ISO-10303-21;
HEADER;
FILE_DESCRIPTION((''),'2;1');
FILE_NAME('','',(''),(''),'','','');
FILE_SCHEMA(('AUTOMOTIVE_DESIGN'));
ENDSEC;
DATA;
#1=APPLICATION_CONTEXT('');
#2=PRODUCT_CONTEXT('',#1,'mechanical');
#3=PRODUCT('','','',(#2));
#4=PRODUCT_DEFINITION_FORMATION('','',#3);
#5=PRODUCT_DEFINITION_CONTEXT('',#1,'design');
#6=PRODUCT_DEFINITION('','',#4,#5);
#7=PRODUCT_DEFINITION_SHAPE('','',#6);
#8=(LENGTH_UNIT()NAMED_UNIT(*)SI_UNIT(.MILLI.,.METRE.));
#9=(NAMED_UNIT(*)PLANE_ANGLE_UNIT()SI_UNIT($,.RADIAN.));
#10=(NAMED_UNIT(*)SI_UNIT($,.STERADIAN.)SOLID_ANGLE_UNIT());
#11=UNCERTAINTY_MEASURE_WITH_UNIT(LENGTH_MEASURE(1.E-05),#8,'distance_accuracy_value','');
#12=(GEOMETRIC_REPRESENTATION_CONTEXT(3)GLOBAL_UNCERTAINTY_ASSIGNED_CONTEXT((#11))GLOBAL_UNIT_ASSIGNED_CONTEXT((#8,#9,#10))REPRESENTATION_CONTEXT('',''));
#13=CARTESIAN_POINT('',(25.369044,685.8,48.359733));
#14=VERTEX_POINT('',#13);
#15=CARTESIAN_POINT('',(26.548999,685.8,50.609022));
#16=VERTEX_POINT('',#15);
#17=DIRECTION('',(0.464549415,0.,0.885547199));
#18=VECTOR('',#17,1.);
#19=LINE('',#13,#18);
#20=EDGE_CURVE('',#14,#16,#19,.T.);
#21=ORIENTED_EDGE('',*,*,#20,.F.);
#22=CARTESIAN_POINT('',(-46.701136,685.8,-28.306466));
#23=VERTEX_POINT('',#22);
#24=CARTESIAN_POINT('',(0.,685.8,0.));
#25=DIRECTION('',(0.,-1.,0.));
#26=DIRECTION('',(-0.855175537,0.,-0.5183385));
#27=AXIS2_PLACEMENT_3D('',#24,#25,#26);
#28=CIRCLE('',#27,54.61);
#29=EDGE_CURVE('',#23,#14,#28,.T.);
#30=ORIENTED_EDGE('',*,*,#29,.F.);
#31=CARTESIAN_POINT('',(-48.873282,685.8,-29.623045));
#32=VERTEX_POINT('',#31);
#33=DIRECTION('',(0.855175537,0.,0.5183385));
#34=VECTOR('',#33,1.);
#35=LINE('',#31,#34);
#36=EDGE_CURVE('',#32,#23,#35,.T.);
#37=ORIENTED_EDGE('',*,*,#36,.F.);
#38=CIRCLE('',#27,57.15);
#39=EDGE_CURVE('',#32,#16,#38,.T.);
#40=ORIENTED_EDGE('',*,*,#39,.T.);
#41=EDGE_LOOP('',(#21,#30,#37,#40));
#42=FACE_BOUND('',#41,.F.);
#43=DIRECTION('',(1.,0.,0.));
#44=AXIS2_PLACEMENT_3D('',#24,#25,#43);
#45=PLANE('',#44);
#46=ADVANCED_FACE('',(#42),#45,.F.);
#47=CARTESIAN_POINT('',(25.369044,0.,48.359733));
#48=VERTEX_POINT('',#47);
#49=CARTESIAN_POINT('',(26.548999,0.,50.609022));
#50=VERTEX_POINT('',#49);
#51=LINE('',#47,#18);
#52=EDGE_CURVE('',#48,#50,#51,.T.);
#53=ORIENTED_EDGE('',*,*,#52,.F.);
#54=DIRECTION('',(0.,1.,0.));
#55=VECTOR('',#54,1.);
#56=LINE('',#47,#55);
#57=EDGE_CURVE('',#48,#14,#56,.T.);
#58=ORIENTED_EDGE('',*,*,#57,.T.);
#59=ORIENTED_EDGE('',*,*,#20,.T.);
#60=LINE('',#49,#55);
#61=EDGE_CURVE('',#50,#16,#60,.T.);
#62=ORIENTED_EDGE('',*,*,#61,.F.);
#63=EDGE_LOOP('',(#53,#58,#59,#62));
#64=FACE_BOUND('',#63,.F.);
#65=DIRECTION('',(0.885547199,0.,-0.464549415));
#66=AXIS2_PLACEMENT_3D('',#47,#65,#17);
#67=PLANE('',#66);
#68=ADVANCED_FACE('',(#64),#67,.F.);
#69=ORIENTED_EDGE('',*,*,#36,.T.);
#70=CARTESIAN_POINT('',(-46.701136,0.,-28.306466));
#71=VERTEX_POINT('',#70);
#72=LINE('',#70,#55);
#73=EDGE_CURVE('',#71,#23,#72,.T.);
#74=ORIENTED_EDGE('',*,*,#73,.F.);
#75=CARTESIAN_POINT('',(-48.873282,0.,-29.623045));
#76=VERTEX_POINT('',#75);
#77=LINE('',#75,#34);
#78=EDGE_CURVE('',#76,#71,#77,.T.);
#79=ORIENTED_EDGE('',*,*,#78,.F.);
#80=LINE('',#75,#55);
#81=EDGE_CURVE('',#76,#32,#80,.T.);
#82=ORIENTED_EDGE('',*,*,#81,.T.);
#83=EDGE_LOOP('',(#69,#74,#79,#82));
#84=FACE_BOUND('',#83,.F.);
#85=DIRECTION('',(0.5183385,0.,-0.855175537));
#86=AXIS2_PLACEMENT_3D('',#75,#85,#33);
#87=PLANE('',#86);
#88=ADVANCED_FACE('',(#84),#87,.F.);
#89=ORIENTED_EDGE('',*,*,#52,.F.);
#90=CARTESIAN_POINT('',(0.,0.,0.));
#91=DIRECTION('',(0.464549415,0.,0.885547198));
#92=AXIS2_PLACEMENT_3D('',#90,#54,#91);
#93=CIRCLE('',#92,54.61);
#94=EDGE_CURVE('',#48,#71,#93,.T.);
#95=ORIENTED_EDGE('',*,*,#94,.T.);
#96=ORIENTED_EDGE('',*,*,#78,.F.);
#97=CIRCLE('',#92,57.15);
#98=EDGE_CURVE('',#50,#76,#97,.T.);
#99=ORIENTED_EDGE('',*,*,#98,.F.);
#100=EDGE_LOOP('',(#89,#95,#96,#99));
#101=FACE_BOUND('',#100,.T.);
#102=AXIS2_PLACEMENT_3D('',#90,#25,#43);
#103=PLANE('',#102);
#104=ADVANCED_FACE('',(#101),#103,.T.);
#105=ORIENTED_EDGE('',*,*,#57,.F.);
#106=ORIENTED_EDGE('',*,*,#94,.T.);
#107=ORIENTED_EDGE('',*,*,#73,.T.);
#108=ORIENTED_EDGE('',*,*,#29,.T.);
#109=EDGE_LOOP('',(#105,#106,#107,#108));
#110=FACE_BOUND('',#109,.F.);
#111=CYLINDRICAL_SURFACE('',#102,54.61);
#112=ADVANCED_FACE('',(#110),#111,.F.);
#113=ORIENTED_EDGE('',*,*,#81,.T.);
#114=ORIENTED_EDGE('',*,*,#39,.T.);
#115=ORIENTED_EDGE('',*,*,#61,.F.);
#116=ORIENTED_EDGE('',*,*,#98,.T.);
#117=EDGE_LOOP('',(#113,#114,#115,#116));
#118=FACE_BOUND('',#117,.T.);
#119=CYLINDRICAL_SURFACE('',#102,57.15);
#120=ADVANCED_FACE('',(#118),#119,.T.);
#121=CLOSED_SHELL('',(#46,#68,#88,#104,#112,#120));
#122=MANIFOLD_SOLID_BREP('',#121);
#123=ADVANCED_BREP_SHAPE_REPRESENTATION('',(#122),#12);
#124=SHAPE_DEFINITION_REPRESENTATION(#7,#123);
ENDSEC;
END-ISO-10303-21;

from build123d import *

# Parameters (mm, degrees)
F0_R     = 57.15
F0_R_2   = 54.61
F1_DEPTH = 685.8
F3_DEPTH = 685.8


with BuildPart() as f1:
    # F0 (on Front) → F1 (new body)
    with BuildSketch(Plane.XZ):
        Circle(F0_R)
        Circle(F0_R_2, mode=Mode.SUBTRACT)
    extrude(amount=-F1_DEPTH)

    # F2 (on face) → F3 (cut)
    with BuildSketch(Plane.XZ):
        with BuildLine():
            ThreePointArc((-46.7011360752, -28.3064655032), (-39.7893330194, 37.4040248886), (25.3690435681, 48.35973251))
            Line((25.3690435682, 48.35973251), (26.5489990829, 50.6090223942))
            ThreePointArc((26.5489990829, 50.6090223942), (-41.6399996715, 39.1437469765), (-48.8732819392, -29.623045294))
            Line((-48.8732819392, -29.623045294), (-46.7011360752, -28.3064655032))
        make_face()
    extrude(amount=-F3_DEPTH, mode=Mode.SUBTRACT)


solid = f1.part
